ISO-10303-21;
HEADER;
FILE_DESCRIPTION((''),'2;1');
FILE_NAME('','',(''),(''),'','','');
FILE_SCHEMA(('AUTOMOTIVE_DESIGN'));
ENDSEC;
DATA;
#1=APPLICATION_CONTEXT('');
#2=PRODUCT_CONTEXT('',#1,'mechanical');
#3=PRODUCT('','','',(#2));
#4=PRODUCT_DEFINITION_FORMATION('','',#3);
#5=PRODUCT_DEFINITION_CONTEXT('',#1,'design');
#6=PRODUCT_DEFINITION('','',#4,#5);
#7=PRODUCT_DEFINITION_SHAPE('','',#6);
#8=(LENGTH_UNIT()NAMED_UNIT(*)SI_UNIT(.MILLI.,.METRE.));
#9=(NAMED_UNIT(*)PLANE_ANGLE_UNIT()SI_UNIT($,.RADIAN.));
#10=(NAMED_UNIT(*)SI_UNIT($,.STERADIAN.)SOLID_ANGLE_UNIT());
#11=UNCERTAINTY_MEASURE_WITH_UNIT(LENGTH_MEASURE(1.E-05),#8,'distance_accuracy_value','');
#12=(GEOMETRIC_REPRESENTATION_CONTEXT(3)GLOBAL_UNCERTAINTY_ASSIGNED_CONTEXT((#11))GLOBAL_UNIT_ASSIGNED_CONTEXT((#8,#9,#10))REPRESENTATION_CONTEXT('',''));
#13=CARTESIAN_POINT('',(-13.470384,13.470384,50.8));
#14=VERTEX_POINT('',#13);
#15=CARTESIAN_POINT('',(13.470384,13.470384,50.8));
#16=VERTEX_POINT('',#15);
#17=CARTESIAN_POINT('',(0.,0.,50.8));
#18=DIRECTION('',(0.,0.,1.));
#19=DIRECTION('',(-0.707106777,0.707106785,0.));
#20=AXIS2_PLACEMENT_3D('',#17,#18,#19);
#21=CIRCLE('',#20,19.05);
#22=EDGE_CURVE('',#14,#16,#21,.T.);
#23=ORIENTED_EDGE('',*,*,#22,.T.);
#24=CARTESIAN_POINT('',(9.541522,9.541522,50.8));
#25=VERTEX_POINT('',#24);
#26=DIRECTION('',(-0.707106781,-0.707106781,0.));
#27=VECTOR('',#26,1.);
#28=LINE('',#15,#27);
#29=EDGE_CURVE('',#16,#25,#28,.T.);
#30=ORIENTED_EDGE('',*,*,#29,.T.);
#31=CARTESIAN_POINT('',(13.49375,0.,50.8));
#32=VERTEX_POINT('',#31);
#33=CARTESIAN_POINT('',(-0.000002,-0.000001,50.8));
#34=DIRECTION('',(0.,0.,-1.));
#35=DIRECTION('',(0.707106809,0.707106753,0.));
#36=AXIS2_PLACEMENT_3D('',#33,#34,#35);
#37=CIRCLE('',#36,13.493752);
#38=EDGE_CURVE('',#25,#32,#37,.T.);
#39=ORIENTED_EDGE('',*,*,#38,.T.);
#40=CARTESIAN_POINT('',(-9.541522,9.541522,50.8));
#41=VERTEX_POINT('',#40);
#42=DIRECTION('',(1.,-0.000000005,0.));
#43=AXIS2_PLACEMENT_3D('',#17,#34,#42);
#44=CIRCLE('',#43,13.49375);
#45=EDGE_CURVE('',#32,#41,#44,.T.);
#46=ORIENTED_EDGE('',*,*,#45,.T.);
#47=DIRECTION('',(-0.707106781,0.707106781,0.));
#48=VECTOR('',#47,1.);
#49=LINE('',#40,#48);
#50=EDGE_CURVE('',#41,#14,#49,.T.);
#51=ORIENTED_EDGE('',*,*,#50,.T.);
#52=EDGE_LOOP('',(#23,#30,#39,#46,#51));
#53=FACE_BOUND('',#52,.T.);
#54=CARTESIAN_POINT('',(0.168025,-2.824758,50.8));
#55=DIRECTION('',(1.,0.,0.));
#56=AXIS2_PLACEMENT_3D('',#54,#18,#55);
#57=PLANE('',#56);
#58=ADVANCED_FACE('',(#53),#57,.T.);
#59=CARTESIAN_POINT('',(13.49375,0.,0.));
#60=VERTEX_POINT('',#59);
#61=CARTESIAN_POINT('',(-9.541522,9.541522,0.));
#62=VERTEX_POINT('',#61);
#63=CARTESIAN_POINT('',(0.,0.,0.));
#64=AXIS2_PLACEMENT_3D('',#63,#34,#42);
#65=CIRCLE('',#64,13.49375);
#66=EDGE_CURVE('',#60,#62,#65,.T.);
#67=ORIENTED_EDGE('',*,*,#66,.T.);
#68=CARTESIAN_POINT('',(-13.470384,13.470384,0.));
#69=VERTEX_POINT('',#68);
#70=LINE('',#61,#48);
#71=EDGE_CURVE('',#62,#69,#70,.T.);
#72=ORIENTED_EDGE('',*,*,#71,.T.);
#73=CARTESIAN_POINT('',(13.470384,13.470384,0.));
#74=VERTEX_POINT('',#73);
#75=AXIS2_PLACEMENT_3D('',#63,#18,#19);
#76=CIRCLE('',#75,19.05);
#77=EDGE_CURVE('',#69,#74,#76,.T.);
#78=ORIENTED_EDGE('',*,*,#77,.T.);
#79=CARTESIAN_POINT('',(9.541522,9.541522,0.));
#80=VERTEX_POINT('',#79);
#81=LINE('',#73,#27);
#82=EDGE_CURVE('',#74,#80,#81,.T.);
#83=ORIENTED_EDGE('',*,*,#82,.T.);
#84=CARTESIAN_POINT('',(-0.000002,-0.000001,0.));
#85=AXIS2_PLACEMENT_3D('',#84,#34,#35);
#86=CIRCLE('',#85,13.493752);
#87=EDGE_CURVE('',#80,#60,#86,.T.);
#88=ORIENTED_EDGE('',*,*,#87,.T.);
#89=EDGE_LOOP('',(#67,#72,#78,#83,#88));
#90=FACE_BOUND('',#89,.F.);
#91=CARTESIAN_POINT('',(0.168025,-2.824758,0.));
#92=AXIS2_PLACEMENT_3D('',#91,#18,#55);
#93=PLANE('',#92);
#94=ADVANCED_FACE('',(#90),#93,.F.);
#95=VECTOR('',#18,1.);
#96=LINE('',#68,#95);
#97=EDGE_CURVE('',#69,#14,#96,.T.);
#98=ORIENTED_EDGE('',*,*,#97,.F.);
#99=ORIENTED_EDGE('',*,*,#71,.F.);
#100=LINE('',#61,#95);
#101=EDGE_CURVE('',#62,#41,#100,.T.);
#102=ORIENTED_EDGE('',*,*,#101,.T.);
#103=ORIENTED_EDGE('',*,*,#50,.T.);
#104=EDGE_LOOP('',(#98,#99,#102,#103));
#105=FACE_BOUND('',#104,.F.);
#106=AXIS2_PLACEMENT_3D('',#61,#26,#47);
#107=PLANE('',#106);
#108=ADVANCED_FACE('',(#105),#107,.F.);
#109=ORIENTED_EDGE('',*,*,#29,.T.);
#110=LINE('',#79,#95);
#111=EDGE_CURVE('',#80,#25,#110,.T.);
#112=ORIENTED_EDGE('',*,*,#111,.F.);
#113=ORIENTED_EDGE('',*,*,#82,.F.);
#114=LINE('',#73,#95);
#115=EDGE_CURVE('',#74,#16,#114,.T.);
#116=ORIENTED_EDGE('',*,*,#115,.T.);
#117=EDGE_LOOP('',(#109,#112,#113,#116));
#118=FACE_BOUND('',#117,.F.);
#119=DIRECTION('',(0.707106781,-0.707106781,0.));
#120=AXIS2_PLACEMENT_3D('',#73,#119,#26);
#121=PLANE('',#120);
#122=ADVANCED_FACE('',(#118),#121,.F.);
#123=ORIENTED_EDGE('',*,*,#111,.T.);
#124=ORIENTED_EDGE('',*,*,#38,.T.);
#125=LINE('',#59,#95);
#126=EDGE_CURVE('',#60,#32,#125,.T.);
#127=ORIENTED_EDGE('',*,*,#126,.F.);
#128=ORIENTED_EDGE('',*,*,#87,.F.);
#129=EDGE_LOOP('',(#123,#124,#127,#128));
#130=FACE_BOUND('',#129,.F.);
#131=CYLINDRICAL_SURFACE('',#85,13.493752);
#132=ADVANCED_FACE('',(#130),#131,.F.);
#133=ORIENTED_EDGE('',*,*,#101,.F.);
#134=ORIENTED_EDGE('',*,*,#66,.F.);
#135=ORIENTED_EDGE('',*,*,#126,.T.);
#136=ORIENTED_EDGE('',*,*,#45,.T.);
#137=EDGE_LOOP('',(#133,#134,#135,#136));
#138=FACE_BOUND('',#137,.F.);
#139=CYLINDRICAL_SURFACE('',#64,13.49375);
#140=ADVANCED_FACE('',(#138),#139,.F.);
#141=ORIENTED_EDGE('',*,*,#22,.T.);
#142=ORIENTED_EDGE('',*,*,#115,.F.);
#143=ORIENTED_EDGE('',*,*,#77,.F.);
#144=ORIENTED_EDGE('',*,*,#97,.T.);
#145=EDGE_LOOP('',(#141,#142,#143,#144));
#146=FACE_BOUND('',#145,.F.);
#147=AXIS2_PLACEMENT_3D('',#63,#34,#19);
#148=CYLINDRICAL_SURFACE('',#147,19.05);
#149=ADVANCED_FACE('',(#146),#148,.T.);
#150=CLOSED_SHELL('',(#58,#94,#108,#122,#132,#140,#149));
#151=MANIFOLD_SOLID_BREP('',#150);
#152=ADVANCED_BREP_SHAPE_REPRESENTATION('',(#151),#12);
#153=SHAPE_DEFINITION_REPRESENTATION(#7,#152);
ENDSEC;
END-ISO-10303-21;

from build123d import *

# Parameters (mm, degrees)
F1_DEPTH = 50.8


with BuildPart() as f1:
    # F0 (on Top) → F1 (new body)
    with BuildSketch(Plane.XY):
        with BuildLine():
            ThreePointArc((9.541522, 9.541522), (12.466599, 5.163835), (13.49375, 0))
            ThreePointArc((13.49375, 0), (-5.163835, -12.466599), (-9.541522, 9.541522))
            Line((-9.541522, 9.541522), (-13.470384, 13.470384))
            ThreePointArc((-13.470384, 13.470384), (0, -19.05), (13.470384, 13.470384))
            Line((13.470384, 13.470384), (9.541522, 9.541522))
        make_face()
    extrude(amount=F1_DEPTH)


solid = f1.part
